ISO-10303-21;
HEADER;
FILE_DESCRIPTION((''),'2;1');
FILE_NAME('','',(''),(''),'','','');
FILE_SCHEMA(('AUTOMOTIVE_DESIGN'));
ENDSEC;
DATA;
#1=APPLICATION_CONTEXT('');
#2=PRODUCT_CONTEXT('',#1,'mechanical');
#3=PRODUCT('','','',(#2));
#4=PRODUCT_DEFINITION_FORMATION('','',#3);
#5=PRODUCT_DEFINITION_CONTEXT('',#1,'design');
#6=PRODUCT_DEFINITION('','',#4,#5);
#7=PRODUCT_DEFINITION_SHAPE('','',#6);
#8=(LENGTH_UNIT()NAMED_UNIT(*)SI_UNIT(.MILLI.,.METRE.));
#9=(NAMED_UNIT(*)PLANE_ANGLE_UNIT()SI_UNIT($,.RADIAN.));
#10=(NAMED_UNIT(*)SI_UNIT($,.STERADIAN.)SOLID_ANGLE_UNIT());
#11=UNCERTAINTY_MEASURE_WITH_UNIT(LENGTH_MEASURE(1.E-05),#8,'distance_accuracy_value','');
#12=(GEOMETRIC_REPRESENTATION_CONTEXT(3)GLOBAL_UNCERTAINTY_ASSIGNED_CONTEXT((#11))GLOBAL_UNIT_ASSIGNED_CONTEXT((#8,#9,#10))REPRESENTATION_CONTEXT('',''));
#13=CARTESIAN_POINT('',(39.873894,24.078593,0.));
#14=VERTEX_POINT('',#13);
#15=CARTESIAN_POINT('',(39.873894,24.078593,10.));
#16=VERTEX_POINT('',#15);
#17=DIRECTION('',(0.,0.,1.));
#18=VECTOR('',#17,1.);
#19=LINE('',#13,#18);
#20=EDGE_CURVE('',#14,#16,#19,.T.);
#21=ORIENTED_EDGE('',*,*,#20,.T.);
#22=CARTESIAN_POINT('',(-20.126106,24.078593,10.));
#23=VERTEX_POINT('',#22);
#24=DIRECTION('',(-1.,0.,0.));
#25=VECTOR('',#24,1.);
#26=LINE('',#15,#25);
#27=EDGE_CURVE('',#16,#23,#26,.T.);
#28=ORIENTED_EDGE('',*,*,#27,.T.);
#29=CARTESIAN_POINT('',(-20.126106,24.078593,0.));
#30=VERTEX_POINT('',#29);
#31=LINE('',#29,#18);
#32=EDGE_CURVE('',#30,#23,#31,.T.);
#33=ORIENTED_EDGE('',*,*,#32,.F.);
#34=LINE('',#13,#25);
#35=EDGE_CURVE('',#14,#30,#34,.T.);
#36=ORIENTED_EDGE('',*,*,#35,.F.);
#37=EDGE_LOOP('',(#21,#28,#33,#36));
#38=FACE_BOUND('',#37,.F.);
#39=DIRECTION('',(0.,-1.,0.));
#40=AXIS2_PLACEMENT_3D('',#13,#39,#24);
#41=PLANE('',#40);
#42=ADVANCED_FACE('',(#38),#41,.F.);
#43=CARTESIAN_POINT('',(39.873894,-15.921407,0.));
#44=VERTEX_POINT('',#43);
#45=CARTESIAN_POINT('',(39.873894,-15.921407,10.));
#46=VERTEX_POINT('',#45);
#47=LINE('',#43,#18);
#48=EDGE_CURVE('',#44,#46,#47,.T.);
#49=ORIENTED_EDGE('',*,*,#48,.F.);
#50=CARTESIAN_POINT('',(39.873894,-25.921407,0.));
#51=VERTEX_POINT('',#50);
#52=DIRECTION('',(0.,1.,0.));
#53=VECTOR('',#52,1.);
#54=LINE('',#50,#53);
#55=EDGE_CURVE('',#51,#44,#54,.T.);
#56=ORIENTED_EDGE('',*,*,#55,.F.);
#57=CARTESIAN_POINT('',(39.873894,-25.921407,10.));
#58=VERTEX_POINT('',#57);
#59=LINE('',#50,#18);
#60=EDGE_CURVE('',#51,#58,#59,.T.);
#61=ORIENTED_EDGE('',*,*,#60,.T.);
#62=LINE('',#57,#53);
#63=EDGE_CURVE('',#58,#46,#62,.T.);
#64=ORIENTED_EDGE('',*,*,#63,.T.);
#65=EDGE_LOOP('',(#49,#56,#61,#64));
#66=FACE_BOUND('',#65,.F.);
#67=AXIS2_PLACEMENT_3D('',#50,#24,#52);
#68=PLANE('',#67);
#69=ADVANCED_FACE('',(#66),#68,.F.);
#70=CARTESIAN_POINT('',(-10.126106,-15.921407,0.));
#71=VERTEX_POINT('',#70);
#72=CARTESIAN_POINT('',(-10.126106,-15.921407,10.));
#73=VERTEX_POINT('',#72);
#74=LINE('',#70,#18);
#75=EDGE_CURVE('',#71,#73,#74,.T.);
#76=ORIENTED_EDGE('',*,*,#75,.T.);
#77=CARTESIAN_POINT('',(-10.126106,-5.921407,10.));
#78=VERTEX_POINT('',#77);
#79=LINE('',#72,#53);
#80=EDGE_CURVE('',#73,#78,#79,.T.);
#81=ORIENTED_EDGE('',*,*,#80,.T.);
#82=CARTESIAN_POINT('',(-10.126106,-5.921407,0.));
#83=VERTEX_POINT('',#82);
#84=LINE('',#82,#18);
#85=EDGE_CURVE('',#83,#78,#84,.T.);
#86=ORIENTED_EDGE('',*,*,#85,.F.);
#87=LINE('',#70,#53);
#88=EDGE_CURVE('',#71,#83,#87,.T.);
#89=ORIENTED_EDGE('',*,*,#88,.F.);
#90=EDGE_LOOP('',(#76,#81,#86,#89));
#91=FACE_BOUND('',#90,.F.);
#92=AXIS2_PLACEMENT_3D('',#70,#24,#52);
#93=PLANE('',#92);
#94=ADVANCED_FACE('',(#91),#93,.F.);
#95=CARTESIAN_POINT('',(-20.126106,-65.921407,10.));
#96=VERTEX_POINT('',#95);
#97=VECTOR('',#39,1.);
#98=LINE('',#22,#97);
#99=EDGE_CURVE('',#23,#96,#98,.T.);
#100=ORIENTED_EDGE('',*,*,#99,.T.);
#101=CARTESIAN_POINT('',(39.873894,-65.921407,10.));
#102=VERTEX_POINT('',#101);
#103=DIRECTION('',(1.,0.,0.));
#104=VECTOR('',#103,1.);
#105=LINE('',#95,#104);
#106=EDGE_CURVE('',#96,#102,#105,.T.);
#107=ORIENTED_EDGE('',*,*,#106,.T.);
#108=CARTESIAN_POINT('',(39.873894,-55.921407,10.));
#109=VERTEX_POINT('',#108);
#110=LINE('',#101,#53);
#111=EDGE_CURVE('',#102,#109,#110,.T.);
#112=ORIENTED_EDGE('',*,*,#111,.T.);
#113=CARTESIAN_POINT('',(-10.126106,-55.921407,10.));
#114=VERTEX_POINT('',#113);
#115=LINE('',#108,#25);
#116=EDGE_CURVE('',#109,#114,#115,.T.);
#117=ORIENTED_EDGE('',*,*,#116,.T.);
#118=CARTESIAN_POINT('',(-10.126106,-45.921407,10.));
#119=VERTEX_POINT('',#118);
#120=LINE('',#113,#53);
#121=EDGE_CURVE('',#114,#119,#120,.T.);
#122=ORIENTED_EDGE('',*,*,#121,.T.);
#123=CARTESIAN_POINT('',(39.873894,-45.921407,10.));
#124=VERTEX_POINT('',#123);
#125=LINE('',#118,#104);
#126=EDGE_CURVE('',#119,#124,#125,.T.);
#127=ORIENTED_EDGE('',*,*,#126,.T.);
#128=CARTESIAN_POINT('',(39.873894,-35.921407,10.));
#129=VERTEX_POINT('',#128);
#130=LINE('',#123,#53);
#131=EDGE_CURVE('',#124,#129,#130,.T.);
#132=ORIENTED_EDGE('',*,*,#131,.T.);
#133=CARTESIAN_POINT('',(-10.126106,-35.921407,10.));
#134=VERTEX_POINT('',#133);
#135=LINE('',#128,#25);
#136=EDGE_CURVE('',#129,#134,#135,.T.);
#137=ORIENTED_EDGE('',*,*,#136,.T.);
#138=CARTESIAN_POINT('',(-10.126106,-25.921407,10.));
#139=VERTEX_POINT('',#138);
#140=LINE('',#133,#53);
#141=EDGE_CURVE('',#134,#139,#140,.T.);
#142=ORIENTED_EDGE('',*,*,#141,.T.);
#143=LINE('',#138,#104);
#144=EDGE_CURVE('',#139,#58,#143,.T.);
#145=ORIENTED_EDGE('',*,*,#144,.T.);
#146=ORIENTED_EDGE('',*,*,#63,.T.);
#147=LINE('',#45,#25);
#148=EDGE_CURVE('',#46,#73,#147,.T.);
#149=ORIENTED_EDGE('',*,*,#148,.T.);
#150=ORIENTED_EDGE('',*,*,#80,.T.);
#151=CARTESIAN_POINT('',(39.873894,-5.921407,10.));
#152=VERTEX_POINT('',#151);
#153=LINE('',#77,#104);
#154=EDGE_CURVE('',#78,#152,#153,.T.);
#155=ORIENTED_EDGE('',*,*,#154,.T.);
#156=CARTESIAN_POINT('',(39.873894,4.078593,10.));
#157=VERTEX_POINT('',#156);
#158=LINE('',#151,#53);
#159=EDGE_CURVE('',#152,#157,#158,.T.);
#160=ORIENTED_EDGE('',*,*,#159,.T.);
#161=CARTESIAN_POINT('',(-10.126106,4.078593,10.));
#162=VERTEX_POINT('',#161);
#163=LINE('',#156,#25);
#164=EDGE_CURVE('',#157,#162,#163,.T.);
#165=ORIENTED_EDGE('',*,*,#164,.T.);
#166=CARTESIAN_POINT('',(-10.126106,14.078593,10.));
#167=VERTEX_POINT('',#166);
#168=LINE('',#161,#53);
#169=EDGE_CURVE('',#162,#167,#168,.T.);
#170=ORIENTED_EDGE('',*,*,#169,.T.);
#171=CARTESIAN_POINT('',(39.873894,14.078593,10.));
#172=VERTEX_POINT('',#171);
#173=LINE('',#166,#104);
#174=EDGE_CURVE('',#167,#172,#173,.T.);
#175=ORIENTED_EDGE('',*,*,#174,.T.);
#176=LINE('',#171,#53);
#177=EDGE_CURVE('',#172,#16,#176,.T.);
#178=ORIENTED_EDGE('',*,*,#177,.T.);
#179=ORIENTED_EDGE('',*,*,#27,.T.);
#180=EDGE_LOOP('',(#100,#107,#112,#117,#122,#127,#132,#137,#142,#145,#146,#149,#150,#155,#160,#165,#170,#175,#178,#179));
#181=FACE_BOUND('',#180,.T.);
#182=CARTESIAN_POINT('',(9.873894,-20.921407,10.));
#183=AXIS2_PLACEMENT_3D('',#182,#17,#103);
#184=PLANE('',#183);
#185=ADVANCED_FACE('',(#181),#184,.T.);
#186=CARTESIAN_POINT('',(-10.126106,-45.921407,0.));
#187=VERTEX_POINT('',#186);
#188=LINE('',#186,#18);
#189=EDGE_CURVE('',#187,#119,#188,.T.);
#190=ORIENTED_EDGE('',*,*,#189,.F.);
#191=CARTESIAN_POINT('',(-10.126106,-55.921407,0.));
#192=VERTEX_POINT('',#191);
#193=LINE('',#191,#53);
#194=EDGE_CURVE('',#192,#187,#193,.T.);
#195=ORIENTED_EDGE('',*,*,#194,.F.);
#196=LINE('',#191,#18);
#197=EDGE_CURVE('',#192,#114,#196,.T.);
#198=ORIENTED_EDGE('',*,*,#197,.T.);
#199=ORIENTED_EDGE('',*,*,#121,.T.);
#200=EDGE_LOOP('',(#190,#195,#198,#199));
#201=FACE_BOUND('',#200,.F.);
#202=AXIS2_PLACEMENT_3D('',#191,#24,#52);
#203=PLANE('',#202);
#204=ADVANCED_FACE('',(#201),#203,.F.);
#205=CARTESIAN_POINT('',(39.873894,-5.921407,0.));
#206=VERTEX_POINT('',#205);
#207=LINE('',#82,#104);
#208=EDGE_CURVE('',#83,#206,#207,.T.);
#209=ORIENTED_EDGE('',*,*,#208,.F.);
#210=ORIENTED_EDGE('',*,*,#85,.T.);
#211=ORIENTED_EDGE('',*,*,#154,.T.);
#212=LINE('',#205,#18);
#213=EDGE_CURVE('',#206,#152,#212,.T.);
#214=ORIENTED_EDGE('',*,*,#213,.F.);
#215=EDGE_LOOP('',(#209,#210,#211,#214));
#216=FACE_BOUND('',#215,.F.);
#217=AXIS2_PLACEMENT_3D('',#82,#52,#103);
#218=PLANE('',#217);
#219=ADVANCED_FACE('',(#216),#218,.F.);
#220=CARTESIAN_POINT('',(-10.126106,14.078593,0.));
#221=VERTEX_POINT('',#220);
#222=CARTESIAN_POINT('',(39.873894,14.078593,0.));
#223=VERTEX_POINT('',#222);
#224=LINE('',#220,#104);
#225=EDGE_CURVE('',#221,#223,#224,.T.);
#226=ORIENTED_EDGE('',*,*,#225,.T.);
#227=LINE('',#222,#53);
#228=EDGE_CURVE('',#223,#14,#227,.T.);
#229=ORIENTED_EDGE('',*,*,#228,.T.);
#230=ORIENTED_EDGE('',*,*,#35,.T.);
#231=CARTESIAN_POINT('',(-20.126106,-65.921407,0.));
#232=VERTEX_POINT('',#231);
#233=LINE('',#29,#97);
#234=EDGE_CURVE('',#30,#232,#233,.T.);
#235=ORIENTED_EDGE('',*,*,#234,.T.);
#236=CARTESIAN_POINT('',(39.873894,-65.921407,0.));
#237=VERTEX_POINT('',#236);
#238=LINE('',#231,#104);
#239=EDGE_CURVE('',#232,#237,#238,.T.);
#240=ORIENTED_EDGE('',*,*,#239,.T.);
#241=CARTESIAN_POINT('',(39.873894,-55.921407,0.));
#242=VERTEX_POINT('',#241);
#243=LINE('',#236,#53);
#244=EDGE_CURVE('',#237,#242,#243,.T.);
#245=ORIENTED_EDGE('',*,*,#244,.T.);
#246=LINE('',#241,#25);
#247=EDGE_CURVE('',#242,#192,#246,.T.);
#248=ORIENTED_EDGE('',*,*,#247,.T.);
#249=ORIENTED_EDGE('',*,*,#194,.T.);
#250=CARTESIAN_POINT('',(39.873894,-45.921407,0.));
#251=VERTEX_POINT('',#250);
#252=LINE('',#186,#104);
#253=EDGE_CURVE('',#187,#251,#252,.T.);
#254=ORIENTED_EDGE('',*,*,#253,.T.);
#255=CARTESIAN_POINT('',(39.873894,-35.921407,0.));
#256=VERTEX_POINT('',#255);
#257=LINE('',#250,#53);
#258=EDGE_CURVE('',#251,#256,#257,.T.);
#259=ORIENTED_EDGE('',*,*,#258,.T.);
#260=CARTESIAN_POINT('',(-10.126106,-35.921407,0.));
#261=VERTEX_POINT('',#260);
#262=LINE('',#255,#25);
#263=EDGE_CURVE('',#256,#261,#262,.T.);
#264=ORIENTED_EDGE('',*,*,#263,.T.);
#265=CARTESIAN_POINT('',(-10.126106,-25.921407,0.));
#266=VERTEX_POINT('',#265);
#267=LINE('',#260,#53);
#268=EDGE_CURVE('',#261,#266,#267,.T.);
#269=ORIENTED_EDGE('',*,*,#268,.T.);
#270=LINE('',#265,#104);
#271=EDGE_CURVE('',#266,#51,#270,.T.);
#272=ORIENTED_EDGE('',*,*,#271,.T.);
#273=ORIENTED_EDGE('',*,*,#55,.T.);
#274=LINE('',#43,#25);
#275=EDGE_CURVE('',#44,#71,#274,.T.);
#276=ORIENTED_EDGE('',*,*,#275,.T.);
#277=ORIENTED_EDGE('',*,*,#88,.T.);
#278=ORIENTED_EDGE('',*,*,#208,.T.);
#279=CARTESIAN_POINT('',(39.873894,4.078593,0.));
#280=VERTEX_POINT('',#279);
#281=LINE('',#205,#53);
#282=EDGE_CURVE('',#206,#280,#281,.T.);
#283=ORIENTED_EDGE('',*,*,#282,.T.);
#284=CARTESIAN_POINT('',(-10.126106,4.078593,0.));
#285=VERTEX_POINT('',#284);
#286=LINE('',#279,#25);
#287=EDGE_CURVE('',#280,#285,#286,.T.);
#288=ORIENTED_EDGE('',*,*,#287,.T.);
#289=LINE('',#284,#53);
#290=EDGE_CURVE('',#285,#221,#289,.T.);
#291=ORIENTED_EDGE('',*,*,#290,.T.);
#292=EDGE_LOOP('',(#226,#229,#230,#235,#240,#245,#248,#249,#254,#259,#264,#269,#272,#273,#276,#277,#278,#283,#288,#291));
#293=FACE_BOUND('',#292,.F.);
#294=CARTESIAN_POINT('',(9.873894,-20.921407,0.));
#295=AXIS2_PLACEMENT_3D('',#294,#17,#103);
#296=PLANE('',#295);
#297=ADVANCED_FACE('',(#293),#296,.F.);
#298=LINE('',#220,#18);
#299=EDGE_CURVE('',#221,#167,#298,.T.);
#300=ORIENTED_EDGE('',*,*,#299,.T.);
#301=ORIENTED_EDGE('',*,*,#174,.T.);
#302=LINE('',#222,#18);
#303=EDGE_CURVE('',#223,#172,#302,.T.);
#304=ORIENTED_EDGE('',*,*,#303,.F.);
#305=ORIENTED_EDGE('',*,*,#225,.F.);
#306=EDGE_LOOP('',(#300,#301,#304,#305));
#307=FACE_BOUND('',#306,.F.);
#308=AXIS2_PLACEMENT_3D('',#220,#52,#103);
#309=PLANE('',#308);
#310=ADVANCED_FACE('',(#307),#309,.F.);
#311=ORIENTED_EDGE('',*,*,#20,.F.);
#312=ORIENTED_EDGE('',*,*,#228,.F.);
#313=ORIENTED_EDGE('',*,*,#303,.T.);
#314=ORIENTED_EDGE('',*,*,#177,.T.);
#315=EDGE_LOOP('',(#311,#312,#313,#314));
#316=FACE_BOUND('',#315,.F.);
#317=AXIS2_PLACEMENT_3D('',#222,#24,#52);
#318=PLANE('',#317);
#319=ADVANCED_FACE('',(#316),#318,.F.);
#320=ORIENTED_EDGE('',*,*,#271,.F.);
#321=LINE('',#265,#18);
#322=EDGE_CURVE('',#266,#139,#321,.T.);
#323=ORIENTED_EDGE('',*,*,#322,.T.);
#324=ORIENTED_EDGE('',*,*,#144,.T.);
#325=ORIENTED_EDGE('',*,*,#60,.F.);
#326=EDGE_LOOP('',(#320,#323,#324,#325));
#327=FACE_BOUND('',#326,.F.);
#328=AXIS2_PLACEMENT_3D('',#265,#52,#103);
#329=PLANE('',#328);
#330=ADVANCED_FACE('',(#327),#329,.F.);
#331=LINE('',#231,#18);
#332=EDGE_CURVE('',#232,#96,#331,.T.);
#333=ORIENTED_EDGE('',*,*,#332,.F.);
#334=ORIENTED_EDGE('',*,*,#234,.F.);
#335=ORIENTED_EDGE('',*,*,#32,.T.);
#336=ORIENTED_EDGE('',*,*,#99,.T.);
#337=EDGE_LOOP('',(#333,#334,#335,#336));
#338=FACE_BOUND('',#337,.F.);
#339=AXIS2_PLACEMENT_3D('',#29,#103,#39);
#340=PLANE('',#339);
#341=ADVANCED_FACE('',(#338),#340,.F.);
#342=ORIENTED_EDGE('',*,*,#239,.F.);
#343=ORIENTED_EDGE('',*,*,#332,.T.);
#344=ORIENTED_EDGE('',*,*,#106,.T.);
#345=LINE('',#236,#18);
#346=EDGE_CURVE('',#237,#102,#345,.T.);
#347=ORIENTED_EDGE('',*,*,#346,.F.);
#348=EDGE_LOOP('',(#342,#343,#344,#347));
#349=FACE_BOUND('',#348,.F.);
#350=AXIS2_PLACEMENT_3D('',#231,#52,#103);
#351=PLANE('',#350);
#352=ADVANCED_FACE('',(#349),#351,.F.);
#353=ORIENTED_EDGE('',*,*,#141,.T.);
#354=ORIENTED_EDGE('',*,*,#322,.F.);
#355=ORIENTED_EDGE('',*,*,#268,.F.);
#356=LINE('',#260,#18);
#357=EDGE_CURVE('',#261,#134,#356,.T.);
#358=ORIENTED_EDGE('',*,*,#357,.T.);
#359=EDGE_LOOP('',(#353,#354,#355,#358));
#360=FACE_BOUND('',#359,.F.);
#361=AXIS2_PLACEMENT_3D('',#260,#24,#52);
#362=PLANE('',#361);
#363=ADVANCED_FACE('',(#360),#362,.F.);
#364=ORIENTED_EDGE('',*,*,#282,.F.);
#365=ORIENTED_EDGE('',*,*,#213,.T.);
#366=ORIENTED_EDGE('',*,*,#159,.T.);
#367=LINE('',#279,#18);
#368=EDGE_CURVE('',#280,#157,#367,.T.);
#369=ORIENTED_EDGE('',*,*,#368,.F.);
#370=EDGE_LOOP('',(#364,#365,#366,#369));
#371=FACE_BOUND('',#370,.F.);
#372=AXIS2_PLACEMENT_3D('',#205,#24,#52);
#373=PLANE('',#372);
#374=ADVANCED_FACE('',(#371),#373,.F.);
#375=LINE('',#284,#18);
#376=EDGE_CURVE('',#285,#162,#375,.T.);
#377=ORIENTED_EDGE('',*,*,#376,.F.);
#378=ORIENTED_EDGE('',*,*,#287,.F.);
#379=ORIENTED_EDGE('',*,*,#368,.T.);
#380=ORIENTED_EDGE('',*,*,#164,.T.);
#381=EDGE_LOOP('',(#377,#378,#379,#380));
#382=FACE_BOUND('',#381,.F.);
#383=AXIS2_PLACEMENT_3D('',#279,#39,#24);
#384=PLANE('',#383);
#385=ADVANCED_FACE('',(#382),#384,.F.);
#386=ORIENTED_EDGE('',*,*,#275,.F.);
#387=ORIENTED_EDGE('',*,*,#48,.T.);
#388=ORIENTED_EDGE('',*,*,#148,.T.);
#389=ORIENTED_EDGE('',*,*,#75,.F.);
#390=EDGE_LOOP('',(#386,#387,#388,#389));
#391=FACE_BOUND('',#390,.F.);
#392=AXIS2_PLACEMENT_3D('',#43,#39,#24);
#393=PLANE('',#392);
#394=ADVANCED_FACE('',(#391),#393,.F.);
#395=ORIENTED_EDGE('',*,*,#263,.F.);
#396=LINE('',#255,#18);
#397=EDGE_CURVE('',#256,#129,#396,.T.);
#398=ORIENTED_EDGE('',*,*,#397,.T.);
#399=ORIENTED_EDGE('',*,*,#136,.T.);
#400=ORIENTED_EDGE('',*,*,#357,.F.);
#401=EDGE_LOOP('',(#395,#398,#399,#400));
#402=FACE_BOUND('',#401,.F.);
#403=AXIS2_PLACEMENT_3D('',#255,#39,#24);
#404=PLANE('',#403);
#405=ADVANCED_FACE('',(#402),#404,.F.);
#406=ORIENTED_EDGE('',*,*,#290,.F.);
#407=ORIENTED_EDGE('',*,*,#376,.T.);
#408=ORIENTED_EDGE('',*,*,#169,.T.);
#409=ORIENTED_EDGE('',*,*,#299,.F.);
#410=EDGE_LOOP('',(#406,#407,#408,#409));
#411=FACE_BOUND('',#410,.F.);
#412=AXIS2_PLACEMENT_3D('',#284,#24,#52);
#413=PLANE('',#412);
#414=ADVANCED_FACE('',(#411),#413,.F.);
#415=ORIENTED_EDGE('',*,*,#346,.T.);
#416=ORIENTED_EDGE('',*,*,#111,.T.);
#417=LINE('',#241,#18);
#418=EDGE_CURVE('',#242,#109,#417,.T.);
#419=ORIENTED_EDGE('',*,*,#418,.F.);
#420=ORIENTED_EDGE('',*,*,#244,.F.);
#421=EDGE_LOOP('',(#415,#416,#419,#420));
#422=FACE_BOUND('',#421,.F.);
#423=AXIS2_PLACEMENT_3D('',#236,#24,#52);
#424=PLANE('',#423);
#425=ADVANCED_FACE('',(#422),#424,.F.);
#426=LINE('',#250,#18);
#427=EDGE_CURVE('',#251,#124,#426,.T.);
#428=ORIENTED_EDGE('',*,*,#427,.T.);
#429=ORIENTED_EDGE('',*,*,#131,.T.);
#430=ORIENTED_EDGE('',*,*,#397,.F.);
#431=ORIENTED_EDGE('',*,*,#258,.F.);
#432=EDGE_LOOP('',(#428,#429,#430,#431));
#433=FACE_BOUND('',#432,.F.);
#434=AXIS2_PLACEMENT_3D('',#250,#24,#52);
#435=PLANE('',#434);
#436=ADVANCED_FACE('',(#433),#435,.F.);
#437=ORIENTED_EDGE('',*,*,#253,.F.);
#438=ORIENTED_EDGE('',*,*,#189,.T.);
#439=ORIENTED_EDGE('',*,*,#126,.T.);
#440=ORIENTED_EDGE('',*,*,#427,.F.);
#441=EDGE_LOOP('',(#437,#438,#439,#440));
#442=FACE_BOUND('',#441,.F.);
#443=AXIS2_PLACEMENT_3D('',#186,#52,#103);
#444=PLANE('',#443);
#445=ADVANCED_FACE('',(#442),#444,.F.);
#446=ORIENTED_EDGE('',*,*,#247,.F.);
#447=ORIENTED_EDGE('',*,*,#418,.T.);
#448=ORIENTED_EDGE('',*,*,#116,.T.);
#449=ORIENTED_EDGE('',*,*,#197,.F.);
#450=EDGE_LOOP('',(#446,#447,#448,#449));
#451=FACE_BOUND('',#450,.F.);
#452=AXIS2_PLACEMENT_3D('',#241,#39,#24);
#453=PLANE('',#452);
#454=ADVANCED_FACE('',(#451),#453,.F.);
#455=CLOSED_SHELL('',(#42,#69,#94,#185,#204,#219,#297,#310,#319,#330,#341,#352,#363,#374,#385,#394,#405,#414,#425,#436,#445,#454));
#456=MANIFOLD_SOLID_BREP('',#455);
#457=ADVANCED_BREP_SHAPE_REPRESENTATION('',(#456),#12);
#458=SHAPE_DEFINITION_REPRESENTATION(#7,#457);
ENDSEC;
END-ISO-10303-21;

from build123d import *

# Parameters (mm, degrees)
F1_DEPTH = 10


with BuildPart() as f1:
    # F0 (on Top) → F1 (new body)
    with BuildSketch(Plane.XY):
        Polygon((39.873894, 24.078593), (-20.126106, 24.078593), (-20.126106, -65.921407), (39.873894, -65.921407), (39.873894, -55.921407), (-10.126106, -55.921407), (-10.126106, -45.921407), (39.873894, -45.921407), (39.873894, -35.921407), (-10.126106, -35.921407), (-10.126106, -25.921407), (39.873894, -25.921407), (39.873894, -15.921407), (-10.126106, -15.921407), (-10.126106, -5.921407), (39.873894, -5.921407), (39.873894, 4.078593), (-10.126106, 4.078593), (-10.126106, 14.078593), (39.873894, 14.078593), align=None)
    extrude(amount=F1_DEPTH)


solid = f1.part
